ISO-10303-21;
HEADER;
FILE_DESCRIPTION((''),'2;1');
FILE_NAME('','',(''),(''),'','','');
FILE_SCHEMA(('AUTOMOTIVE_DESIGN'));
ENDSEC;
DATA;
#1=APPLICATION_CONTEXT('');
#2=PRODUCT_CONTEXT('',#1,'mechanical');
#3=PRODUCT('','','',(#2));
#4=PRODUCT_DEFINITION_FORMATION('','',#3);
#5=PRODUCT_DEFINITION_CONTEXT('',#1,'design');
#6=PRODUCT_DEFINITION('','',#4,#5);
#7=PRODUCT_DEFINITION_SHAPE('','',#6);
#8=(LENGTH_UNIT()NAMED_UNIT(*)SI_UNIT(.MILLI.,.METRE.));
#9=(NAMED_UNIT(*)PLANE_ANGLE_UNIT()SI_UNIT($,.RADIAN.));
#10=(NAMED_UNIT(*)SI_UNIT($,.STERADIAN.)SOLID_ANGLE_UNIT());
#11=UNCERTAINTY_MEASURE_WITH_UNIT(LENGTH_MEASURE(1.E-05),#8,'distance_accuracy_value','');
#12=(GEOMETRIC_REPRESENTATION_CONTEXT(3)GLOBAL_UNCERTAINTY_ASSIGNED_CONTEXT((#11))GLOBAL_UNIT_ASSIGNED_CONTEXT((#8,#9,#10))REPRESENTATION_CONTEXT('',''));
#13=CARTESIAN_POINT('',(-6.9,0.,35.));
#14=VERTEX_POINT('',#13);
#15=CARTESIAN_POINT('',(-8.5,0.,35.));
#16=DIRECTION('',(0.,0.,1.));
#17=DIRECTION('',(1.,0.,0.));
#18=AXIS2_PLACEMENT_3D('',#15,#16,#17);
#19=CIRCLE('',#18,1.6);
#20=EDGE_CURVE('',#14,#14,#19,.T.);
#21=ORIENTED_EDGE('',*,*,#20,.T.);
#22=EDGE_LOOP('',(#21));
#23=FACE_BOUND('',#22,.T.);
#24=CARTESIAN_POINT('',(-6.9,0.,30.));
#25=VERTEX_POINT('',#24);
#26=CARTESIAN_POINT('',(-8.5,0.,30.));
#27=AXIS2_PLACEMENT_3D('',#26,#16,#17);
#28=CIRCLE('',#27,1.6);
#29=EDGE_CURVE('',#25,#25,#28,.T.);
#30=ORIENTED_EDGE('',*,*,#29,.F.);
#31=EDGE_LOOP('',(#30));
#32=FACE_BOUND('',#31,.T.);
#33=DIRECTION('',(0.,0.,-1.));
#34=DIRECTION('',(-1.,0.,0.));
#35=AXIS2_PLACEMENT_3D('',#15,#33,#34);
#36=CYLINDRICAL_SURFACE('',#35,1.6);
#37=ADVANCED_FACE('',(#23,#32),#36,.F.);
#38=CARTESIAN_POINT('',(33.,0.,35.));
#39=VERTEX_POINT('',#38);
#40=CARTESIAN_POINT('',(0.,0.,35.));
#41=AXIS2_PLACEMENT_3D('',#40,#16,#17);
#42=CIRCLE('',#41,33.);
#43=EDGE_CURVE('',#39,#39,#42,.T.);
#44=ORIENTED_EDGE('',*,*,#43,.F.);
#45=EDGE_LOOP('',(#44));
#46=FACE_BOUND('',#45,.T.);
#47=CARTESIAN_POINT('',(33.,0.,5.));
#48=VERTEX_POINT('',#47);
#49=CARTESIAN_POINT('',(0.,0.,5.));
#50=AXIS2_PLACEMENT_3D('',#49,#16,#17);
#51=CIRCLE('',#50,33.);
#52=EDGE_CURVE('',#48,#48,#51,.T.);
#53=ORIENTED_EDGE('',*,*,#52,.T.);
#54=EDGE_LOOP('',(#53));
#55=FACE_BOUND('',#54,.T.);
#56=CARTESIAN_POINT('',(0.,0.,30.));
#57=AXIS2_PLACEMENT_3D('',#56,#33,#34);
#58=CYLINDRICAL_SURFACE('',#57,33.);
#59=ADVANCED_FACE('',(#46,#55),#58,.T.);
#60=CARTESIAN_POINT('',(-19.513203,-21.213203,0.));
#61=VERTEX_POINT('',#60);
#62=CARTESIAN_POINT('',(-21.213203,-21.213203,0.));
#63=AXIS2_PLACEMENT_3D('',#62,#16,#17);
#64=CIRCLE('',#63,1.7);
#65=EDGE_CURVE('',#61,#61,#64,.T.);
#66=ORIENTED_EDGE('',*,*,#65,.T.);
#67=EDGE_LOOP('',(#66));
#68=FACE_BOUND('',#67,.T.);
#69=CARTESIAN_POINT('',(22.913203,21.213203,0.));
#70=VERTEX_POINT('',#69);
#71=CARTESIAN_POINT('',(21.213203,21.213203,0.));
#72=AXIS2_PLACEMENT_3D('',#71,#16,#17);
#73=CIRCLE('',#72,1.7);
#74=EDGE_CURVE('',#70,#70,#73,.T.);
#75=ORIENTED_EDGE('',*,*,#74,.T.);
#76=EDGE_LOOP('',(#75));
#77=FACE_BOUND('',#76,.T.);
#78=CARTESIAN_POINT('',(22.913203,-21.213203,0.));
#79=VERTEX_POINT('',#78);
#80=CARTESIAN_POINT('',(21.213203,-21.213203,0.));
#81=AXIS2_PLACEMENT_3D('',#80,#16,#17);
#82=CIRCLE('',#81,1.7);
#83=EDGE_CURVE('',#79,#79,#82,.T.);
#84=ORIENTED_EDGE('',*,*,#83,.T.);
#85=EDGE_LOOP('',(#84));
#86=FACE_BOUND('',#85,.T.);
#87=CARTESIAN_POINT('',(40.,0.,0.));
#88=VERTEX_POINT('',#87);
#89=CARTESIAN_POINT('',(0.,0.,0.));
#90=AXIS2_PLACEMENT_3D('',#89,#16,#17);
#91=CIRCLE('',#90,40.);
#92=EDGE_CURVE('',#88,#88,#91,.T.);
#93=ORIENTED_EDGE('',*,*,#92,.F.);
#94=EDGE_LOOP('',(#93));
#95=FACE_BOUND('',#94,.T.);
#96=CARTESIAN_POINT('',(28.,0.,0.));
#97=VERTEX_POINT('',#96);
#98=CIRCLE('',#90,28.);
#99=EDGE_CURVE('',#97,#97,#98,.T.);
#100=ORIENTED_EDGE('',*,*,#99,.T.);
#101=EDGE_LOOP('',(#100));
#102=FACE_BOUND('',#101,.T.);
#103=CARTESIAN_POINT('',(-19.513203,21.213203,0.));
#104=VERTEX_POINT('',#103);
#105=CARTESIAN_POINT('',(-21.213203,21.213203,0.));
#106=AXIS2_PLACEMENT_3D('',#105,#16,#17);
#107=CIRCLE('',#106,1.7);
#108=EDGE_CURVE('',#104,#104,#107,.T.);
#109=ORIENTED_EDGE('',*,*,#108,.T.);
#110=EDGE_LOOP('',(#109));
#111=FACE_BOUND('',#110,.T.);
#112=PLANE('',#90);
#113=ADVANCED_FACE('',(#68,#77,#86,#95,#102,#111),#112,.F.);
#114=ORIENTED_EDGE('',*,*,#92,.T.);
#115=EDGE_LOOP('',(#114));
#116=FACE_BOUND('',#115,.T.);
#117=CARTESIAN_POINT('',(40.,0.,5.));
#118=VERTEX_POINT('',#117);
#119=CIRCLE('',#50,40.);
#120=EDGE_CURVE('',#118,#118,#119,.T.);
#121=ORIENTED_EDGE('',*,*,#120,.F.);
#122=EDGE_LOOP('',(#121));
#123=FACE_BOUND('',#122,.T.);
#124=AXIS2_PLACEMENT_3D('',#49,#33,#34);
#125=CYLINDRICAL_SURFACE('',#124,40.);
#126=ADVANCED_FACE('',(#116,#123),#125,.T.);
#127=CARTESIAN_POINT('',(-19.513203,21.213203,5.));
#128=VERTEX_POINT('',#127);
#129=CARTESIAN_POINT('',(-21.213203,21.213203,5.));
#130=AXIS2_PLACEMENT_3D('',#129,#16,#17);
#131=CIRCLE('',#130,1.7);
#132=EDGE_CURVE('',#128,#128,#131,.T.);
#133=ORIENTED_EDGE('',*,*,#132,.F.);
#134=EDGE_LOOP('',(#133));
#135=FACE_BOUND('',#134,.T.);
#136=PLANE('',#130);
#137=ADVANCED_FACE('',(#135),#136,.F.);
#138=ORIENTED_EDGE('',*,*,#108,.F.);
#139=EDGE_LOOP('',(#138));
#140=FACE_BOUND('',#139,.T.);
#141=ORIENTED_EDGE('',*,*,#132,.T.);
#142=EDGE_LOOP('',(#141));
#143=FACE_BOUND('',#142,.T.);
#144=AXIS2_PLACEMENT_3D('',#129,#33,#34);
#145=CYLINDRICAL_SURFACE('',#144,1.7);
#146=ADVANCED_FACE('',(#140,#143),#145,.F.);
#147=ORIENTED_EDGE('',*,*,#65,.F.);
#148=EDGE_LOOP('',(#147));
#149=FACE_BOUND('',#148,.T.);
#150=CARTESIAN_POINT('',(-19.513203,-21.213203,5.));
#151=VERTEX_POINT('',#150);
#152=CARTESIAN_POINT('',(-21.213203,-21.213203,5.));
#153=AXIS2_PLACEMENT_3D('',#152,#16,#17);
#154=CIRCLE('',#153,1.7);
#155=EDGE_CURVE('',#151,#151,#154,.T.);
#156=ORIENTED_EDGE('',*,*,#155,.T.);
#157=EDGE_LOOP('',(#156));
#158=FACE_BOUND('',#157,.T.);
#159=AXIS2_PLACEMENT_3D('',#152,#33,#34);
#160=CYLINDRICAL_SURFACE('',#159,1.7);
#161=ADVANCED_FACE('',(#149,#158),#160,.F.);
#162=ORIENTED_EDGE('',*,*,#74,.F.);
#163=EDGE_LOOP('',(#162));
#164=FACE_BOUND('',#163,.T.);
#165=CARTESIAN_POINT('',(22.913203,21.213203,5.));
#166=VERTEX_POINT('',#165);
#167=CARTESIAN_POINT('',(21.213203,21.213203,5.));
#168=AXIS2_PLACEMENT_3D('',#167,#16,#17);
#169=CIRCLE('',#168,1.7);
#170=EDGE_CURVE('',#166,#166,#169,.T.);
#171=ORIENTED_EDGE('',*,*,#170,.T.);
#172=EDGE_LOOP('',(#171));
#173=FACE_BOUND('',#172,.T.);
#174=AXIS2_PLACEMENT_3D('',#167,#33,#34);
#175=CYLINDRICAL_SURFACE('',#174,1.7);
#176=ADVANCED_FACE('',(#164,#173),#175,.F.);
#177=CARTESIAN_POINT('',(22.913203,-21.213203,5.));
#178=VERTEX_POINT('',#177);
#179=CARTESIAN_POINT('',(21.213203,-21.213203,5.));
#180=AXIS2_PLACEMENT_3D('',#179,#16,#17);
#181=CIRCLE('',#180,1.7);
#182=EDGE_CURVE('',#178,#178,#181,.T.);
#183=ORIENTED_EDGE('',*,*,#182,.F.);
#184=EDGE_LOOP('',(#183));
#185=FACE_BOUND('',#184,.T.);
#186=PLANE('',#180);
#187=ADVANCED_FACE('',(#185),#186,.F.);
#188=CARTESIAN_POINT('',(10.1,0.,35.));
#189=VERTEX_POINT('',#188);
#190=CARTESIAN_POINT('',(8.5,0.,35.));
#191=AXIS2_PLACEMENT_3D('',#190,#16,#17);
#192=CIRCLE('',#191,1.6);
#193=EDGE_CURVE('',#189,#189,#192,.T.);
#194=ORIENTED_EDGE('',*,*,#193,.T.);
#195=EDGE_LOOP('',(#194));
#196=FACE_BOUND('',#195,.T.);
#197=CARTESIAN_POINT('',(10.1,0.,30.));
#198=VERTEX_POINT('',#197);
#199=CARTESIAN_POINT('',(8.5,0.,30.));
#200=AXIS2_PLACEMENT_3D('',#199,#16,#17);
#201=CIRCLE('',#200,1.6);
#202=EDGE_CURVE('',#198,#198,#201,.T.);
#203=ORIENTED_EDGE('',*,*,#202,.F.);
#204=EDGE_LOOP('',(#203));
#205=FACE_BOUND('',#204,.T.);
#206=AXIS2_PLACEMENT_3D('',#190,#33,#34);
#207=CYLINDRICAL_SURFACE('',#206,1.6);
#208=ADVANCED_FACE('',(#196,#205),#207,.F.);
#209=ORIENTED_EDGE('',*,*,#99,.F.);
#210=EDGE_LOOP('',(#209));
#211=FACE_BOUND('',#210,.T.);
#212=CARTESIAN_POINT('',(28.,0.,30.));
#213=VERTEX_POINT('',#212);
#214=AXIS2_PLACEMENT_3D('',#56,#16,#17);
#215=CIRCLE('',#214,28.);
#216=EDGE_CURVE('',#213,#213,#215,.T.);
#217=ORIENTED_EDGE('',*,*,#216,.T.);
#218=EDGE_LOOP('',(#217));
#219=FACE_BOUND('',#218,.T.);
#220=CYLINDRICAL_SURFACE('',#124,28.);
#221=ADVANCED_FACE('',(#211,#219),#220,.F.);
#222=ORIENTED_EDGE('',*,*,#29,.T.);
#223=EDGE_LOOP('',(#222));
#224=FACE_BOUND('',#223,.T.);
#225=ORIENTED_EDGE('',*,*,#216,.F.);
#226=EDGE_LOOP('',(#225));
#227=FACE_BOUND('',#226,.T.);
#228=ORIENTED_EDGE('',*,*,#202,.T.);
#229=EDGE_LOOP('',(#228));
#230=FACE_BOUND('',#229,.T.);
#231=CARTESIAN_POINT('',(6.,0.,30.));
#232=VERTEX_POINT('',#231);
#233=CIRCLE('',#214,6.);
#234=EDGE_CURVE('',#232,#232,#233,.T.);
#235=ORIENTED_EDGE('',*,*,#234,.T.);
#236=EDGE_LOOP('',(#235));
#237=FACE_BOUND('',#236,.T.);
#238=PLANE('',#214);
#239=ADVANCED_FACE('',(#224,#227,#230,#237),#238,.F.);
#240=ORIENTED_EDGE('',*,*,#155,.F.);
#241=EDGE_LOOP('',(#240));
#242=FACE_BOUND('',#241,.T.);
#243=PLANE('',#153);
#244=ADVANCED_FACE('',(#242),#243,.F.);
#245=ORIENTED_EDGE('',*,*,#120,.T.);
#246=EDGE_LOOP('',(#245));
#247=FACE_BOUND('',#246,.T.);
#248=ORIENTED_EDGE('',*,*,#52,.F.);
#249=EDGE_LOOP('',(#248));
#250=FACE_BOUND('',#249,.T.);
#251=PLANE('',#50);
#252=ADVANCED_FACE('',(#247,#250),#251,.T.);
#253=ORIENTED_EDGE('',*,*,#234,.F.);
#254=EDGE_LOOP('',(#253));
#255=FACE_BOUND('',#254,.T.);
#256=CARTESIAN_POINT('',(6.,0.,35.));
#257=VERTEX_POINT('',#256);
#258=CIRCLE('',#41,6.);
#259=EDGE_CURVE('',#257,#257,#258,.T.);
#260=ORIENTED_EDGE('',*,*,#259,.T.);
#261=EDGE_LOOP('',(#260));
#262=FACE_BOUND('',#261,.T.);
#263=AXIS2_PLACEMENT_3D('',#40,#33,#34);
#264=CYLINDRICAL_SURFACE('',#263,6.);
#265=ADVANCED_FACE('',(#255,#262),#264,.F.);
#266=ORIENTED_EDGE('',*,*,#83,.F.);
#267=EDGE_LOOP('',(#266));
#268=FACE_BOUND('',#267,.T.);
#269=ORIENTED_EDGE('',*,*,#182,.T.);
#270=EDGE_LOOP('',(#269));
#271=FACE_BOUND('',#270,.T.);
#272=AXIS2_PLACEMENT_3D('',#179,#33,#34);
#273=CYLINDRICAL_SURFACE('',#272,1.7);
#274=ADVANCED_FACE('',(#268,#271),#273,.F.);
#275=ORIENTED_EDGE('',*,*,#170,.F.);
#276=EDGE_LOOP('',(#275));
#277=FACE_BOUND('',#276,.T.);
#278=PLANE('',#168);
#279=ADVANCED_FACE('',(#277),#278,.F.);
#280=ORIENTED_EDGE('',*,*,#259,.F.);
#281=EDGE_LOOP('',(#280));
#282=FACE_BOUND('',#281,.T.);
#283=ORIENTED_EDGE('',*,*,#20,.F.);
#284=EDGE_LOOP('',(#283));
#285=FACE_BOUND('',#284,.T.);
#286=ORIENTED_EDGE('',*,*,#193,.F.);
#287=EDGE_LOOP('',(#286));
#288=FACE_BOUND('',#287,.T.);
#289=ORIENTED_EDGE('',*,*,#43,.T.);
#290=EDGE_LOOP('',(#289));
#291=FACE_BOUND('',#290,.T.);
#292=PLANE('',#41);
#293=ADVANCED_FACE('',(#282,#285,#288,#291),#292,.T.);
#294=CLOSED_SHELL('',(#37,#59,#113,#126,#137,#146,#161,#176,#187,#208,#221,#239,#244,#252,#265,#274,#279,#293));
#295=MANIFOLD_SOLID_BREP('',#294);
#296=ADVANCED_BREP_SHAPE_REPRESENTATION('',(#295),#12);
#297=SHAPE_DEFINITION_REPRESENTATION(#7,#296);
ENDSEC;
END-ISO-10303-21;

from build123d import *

# Parameters (mm, degrees)
SKETCH1_R           = 40
SKETCH1_R_2         = 28
FLANGE_DEPTH        = 5
SKETCH2_R           = 33
SKETCH2_R_2         = 28
TUBE_DEPTH          = 25
SKETCH3_R           = 33
PLATE_DEPTH         = 5
SKETCH4_R           = 6
SHAFT_HOLE_DEPTH    = 5
SKETCH5_R           = 1.6
MOTOR_SCREWS_DEPTH  = 5
SKETCH6_R           = 1.7
GROMMET_HOLES_DEPTH = 5


with BuildPart() as part:
    # Sketch1 → Flange (new body)
    with BuildSketch(Plane.XY):
        Circle(SKETCH1_R)
        Circle(SKETCH1_R_2, mode=Mode.SUBTRACT)
    extrude(amount=FLANGE_DEPTH)

    # Sketch2 → Tube (add)
    with BuildSketch(Plane.XY.offset(5)):
        Circle(SKETCH2_R)
        Circle(SKETCH2_R_2, mode=Mode.SUBTRACT)
    extrude(amount=TUBE_DEPTH)

    # Sketch3 → Plate (add)
    with BuildSketch(Plane.XY.offset(30)):
        Circle(SKETCH3_R)
    extrude(amount=PLATE_DEPTH)

    # Sketch4 → Shaft_hole (cut)
    with BuildSketch(Plane.XY.offset(30)):
        Circle(SKETCH4_R)
    extrude(amount=SHAFT_HOLE_DEPTH, mode=Mode.SUBTRACT)

    # Sketch5 → Motor_screws (cut)
    with BuildSketch(Plane.XY.offset(30)):
        with Locations((-8.5, 0)):
            Circle(SKETCH5_R)
        with Locations((8.5, 0)):
            Circle(SKETCH5_R)
    extrude(amount=MOTOR_SCREWS_DEPTH, mode=Mode.SUBTRACT)

    # Sketch6 → Grommet_holes (cut)
    with BuildSketch(Plane.XY):
        with Locations((21.213203436, 21.213203436)):
            Circle(SKETCH6_R)
        with Locations((-21.213203436, 21.213203436)):
            Circle(SKETCH6_R)
        with Locations((-21.213203436, -21.213203436)):
            Circle(SKETCH6_R)
        with Locations((21.213203436, -21.213203436)):
            Circle(SKETCH6_R)
    extrude(amount=GROMMET_HOLES_DEPTH, mode=Mode.SUBTRACT)


solid = part.part
